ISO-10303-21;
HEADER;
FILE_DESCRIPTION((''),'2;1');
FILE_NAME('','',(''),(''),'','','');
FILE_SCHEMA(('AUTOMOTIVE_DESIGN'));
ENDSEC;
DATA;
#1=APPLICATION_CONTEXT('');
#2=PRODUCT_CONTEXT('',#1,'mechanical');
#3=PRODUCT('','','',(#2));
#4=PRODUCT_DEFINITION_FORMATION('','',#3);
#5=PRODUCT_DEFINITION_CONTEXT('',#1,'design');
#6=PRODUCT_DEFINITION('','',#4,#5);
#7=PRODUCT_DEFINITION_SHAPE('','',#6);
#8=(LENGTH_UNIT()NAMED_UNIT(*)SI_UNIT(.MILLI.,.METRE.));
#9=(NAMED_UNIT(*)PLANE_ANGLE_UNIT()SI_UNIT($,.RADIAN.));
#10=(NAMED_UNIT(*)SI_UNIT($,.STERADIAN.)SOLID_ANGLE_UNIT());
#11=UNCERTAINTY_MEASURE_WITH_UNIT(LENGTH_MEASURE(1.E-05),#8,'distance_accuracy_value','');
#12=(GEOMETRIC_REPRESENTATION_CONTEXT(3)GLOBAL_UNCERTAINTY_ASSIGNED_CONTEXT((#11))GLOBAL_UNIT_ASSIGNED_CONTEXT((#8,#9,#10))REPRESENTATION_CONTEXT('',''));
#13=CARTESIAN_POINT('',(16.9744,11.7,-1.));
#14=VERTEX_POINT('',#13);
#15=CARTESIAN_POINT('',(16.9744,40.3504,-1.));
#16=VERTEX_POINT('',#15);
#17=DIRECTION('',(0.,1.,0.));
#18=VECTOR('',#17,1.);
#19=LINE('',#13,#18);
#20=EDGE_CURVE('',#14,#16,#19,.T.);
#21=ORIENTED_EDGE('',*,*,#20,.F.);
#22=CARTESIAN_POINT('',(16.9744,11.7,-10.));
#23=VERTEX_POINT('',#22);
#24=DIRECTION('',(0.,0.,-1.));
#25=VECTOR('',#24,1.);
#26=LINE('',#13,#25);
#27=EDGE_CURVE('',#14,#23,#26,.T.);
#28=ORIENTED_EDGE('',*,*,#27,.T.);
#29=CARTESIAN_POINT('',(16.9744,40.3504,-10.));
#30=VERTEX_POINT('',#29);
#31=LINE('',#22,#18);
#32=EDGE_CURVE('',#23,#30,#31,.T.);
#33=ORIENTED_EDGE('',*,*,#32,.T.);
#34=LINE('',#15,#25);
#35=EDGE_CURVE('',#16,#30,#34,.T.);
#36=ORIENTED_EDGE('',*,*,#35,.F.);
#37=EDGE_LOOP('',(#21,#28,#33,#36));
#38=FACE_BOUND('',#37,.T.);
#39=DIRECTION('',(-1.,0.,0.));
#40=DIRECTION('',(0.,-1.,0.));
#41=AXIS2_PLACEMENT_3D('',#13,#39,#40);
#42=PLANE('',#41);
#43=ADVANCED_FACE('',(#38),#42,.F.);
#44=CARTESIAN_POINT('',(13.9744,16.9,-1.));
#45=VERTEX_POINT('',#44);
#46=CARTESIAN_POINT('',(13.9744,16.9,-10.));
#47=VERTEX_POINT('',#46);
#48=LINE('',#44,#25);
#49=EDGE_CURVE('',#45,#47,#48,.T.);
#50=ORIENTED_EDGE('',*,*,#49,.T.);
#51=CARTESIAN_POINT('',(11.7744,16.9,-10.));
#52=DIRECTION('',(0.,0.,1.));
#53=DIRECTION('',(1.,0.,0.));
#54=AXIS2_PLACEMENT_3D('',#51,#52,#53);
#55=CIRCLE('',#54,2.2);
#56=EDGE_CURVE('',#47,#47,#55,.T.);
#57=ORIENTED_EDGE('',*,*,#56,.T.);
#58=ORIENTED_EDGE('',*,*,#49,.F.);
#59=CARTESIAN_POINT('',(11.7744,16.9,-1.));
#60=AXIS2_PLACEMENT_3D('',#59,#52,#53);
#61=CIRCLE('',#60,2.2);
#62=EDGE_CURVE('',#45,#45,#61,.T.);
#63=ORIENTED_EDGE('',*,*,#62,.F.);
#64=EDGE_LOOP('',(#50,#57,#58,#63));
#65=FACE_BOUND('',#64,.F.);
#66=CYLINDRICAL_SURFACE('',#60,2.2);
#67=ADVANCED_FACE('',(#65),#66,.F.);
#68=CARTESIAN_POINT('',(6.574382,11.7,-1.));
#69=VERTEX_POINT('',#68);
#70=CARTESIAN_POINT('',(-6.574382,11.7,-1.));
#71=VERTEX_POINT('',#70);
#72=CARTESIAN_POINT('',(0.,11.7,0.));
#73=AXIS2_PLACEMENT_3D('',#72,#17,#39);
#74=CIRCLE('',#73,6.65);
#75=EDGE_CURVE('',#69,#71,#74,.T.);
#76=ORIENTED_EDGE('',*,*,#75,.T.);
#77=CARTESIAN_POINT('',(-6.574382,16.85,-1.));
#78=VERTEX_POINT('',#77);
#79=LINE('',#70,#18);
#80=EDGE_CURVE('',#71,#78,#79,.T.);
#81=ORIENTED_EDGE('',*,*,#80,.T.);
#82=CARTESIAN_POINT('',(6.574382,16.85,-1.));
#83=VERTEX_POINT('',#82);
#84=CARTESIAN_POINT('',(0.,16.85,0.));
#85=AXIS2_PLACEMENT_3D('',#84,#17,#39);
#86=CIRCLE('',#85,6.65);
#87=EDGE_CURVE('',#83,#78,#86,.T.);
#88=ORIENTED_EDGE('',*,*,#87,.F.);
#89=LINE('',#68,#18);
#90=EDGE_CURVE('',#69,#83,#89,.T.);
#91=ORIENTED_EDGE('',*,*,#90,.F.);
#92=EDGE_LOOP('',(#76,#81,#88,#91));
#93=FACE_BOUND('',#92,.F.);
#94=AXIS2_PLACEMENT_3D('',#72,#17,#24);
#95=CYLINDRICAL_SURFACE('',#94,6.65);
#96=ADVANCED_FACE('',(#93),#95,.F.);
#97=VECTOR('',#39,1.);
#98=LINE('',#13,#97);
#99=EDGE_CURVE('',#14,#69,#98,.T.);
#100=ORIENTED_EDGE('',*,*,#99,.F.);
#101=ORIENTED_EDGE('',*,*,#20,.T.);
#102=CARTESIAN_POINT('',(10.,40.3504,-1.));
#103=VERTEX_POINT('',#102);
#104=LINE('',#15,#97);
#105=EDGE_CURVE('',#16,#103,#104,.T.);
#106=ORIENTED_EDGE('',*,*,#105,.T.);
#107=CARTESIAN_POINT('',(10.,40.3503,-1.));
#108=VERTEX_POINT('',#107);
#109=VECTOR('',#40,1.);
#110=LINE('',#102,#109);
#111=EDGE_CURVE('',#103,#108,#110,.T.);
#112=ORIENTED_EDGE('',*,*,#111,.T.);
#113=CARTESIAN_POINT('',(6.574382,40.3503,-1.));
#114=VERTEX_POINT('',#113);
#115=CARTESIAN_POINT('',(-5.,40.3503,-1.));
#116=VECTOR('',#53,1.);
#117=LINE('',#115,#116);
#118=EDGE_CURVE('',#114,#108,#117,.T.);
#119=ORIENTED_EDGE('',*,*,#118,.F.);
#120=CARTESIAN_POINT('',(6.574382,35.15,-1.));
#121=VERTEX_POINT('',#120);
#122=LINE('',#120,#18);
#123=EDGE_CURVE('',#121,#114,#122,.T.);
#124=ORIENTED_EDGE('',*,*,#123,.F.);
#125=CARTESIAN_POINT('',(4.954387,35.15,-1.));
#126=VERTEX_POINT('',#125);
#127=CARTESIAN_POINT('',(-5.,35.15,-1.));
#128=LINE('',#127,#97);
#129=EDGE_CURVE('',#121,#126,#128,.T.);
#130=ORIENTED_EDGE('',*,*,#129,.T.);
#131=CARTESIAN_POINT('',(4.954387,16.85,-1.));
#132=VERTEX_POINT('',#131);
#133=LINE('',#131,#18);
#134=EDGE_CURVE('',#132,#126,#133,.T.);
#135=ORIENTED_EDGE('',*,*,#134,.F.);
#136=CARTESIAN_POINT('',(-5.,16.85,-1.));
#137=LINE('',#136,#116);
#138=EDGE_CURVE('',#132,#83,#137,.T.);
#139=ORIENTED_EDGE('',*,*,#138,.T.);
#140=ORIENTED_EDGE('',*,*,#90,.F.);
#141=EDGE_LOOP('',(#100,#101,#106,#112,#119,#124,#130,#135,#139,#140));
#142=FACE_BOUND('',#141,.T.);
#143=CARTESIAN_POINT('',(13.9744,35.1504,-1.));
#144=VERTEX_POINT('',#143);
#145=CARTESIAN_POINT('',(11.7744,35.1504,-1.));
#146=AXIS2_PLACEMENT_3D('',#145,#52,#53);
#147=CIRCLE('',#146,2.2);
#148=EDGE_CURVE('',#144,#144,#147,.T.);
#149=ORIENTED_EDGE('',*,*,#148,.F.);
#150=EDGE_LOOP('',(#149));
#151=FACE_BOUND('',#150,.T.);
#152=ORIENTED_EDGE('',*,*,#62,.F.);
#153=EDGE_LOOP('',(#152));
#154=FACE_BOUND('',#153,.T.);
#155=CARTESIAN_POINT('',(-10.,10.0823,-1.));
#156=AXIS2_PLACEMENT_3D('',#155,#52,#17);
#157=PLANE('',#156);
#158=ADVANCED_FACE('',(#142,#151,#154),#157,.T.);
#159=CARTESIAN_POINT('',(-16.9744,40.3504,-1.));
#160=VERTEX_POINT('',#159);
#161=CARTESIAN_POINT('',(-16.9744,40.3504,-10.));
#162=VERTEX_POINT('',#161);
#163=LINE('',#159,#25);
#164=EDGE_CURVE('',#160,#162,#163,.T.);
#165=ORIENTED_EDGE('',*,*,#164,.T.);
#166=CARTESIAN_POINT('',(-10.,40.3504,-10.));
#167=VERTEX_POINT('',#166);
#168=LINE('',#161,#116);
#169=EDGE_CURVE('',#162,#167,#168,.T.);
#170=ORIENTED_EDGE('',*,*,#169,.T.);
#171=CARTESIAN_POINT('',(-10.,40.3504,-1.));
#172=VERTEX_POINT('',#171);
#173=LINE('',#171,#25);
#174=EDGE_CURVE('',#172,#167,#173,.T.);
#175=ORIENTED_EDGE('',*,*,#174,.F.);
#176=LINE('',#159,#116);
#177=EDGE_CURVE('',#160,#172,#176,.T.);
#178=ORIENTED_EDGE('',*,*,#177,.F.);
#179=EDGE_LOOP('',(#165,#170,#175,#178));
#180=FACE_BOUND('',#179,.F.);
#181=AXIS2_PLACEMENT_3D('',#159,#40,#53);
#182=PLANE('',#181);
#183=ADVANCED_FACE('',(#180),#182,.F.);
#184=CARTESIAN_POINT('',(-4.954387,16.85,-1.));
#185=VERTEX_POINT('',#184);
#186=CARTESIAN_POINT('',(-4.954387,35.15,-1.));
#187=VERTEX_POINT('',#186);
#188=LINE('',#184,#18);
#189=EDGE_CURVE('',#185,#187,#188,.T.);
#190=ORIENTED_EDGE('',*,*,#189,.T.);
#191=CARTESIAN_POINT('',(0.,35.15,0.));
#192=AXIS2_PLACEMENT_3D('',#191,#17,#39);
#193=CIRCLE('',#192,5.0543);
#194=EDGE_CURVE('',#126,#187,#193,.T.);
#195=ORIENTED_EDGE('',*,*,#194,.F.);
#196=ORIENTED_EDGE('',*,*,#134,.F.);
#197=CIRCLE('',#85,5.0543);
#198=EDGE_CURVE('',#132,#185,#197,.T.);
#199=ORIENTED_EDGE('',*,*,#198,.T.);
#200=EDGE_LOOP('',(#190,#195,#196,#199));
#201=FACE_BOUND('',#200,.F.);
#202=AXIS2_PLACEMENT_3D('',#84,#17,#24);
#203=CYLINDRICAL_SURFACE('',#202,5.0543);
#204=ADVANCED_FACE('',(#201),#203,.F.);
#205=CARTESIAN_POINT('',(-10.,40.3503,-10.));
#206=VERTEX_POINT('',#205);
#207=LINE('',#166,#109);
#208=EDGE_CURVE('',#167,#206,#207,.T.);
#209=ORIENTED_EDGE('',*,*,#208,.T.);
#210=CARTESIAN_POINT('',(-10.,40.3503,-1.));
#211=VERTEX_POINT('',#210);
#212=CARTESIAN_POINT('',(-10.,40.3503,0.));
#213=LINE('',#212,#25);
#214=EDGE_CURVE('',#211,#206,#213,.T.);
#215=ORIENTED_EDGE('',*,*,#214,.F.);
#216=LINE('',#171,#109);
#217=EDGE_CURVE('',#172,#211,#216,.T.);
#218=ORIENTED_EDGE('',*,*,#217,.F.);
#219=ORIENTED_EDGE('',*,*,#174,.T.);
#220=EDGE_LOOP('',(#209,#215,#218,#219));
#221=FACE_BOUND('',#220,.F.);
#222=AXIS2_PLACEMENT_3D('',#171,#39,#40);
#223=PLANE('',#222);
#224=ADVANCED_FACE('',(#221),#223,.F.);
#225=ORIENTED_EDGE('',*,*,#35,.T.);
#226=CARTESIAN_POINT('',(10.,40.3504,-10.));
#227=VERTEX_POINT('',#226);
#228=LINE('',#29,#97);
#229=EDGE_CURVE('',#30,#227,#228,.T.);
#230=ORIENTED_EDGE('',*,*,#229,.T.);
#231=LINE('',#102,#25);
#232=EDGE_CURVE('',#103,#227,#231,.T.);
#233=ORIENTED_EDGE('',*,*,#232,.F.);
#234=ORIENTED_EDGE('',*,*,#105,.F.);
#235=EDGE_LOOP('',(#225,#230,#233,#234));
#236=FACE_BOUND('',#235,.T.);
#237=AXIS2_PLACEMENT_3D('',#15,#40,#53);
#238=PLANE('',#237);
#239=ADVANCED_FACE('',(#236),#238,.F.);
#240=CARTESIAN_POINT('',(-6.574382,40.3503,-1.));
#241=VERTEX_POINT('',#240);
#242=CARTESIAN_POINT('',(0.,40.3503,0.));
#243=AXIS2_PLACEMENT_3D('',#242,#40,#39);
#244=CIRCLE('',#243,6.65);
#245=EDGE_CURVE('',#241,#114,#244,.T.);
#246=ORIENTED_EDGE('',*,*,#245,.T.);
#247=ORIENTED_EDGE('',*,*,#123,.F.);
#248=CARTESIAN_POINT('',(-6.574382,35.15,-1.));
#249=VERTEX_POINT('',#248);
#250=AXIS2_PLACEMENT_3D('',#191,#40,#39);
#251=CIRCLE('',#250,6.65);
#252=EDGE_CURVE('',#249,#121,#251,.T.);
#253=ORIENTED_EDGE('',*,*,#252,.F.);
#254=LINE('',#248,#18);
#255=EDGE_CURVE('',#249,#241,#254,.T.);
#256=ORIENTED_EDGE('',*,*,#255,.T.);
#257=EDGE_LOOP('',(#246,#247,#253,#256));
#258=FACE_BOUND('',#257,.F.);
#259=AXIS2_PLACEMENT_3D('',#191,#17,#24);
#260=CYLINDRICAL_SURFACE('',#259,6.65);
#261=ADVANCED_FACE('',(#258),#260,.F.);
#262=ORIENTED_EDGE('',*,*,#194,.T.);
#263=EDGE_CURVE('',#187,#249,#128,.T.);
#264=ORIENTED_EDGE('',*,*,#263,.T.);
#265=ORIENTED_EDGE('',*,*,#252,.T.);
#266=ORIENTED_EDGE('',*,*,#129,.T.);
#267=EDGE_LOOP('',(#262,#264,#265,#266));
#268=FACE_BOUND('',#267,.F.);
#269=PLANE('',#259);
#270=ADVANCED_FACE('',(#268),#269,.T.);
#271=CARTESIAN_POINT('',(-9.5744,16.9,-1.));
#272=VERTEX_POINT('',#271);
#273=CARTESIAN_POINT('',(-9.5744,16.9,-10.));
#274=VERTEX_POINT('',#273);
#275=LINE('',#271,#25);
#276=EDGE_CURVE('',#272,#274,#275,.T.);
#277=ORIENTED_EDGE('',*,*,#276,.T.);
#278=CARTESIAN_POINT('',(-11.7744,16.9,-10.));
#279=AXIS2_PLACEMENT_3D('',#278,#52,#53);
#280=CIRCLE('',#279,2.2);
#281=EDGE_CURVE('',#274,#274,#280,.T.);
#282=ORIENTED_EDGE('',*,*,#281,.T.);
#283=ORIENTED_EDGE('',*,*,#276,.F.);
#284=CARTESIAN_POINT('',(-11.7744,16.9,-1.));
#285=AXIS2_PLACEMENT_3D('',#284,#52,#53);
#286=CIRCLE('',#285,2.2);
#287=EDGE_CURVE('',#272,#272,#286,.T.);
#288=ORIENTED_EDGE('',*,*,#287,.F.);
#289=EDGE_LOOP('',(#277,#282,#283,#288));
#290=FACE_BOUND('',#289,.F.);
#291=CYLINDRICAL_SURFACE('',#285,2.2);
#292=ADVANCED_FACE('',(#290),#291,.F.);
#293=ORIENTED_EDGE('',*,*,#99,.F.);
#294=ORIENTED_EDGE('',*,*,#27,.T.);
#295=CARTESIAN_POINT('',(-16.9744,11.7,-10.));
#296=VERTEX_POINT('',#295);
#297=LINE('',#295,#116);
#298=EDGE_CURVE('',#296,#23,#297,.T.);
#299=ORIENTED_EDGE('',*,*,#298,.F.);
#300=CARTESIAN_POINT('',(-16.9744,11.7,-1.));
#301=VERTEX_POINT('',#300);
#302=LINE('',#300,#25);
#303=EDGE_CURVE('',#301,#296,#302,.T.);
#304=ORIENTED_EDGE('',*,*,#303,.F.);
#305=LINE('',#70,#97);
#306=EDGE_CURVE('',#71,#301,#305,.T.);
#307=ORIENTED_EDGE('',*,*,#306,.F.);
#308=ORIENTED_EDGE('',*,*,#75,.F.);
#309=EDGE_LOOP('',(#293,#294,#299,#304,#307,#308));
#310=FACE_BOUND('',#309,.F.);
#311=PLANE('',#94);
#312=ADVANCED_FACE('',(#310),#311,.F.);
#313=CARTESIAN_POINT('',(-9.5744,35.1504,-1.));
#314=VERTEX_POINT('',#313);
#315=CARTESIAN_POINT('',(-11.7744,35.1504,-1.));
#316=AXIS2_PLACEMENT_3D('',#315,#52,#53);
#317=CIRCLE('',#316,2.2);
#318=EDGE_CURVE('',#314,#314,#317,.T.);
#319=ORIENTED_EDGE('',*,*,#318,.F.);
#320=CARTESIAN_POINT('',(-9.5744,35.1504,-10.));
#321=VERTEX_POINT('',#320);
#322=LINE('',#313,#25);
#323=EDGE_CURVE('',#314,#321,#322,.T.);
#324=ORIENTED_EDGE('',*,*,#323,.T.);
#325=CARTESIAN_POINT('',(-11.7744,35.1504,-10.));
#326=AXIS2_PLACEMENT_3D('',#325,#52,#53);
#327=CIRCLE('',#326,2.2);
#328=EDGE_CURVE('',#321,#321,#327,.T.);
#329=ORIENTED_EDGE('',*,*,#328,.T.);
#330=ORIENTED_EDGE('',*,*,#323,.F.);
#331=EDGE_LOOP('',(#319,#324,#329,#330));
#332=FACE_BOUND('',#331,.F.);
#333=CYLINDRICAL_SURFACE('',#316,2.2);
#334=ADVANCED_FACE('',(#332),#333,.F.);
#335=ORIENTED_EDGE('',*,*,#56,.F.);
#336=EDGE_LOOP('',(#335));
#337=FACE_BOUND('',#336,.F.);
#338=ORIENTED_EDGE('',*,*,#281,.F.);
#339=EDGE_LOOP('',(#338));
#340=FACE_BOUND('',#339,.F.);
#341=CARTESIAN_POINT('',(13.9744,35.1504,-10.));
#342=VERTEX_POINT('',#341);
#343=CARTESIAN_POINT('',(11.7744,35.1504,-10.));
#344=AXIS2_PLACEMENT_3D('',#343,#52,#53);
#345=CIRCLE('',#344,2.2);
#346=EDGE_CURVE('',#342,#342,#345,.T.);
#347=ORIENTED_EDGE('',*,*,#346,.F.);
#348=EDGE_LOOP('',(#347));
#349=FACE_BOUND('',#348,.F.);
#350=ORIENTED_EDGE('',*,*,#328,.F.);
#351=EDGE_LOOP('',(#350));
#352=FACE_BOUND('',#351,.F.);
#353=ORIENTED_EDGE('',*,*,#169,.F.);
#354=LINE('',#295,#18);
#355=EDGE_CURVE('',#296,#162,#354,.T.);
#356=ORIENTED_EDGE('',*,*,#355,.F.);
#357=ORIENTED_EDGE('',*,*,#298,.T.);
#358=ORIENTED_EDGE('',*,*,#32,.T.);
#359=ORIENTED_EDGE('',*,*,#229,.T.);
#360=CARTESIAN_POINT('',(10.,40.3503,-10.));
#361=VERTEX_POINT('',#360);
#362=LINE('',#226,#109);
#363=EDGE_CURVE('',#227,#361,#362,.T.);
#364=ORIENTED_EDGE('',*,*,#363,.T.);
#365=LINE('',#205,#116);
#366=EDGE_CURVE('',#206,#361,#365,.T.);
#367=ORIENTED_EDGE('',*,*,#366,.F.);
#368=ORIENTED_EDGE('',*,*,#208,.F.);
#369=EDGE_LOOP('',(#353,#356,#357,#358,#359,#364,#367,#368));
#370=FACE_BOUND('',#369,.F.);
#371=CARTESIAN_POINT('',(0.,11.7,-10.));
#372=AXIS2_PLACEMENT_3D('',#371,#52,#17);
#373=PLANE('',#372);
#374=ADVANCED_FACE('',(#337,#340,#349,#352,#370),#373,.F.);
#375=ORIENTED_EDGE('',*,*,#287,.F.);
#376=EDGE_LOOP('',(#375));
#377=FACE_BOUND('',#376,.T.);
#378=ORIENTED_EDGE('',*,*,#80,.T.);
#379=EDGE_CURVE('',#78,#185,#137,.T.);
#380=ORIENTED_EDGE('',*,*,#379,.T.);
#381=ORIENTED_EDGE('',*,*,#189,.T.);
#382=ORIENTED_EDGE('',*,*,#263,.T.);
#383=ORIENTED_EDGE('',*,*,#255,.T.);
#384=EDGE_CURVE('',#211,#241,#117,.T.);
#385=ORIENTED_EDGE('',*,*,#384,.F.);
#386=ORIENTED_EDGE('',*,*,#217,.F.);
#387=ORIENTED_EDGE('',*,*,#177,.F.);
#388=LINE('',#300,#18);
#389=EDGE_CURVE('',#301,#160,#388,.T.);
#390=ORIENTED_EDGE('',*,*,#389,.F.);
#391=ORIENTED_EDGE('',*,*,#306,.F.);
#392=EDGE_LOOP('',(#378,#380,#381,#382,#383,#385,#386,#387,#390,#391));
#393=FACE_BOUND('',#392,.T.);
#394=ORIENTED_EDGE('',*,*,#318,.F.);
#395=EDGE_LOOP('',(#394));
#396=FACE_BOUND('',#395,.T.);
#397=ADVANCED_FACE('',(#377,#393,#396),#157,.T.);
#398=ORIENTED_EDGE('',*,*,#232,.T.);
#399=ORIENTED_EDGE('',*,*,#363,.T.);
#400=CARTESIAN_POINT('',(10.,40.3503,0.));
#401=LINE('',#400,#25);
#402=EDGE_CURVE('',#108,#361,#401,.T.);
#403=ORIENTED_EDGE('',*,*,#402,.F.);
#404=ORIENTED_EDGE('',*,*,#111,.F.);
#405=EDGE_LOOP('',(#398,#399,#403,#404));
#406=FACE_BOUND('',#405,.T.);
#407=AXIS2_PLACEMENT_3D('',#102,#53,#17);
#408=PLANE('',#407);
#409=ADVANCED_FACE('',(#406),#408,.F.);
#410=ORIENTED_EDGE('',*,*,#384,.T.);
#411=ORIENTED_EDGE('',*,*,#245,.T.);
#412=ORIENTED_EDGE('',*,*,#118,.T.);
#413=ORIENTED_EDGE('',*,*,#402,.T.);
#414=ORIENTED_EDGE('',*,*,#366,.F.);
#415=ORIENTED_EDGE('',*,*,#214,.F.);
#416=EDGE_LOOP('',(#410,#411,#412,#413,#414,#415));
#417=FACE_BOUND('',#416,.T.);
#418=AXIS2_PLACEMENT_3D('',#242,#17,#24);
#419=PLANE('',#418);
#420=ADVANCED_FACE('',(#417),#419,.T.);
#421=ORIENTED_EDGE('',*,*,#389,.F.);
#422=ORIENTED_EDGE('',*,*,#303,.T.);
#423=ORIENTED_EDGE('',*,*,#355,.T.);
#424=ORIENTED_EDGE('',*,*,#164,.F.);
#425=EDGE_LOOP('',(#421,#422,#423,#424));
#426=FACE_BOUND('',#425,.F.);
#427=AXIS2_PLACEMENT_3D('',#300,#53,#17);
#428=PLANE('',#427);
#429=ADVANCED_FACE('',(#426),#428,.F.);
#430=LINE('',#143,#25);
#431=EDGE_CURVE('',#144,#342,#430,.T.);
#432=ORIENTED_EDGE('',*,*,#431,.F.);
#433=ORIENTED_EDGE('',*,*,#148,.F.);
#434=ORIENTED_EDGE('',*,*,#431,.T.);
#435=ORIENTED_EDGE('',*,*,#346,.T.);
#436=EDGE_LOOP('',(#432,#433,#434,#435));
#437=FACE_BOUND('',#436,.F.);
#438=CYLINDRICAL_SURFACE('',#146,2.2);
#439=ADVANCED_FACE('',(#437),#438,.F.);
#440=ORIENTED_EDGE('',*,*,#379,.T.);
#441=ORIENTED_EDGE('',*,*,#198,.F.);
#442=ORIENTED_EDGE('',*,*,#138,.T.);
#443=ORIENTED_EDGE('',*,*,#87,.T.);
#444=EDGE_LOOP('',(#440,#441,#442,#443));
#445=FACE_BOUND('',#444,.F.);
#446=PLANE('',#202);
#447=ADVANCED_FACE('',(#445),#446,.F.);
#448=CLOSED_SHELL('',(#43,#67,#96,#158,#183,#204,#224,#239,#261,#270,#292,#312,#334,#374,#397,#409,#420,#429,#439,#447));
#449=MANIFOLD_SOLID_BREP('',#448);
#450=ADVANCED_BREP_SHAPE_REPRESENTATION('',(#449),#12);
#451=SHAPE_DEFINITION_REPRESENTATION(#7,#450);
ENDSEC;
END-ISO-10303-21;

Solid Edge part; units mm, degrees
sketch "Sketch1" plane through (0, 0, 0) normal (1, 0, 0) x (0, 1, 0)
  line L0 (11.7, -6.65) -> (16.85, -6.65)
  line L1 (16.85, -6.65) -> (16.85, -5.0543)
  line L2 (16.85, -5.0543) -> (35.15, -5.0543)
  line L3 (35.15, -5.0543) -> (35.15, -6.65)
  line L4 (35.15, -6.65) -> (40.3503, -6.65)
  line L5 (40.3503, -6.65) -> (40.3503, -10)
  line L6 (40.3503, -10) -> (11.7, -10)
  line L7 (11.7, -10) -> (11.7, -6.65)
  dimension "D1" = 0.15
  dimension "D2" = 0.15
  dimension "D3" = 10
revolve "RevolvedProtrusion1" add sketch "Sketch1" angle 360 about axis through (0, -60, 0) along (0, 1, 0)
sketch "Sketch2" plane through (0, 0, 0) normal (1, 0, 0) x (0, 1, 0)
  line L0 (11.7, -10) -> (40.3503, -10)
  line L1 (40.3503, 0) -> (40.3503, -10)
  line L2 (11.7, 0) -> (40.3503, 0)
  line L3 (11.7, 0) -> (11.7, -10)
extrude "Protrusion1" add sketch "Sketch2" along normal mid plane 20
sketch "Sketch3" plane through (0, 0, 0) normal (1, 0, 0) x (0, 1, 0)
  line L0 (11.7, 0) -> (11.7, 6.65)
  line L1 (11.7, 6.65) -> (16.85, 6.65)
  line L2 (16.85, 5.0543) -> (16.85, 6.65)
  line L3 (16.85, 5.0543) -> (35.15, 5.0543)
  line L4 (35.15, 5.0543) -> (35.15, 6.65)
  line L5 (35.15, 6.65) -> (40.3503, 6.65)
  line L6 (40.3503, 0) -> (40.3503, 6.65)
  line L7 (11.7, 0) -> (40.3503, 0)
revolve "RevolvedCutout_1" cut sketch "Sketch3" angle 284.342 about axis through (0, -60, 0) along (0, 1, 0)
sketch "Sketch4" plane through (0, 11.7, 0) normal (0, -1, 0) x (1, 0, 0)
  line L0 (-12.0207, 0) -> (12.5476, 0)
  line L1 (12.5476, 0) -> (12.5476, 10.6039)
  line L2 (12.5476, 10.6039) -> (-12.0207, 10.6039)
  line L3 (-12.0207, 10.6039) -> (-12.0207, 0)
extrude "ExtrudedCutout_1" cut sketch "Sketch4" against normal blind 426.8623
sketch "Sketch5" plane through (-10, 26.0252, -5) normal (-1, 0, 0) x (0, -1, 0)
  line L0 (-15.9005, 5) -> (15.9429, 5)
  line L1 (15.9429, 5) -> (15.9429, 4)
  line L2 (15.9429, 4) -> (-15.9005, 4)
  line L3 (-15.9005, 4) -> (-15.9005, 5)
  dimension "D1" = 1
extrude "ExtrudedCutout_2" cut sketch "Sketch5" against normal blind 53.8114
sketch "Sketch6" plane through (-7.4772, 26.0252, -1) normal (0, 0, 1) x (0, -1, 0)
  line L0 (-14.3252, -2.5228) -> (14.3252, -2.5228)
  line L1 (14.3252, -2.5228) -> (14.3252, -9.4972)
  line L2 (14.3252, -9.4972) -> (-14.3252, -9.4972)
  line L3 (-14.3252, -9.4972) -> (-14.3252, -2.5228)
  dimension "D1" = 3
  dimension "D2" = 3
  dimension "D3" = 4.4
  dimension "D4" = 6.9744
extrude "Protrusion2" add sketch "Sketch6" against normal up to vertex (9 mm away)
mirror "Mirror1" about plane through (0, 0, 0) normal (1, 0, 0) of "Protrusion2"
sketch "Sketch7" plane through (-10.9644, 26.0252, -1) normal (0, 0, 1) x (1, 0, 0)
  circle A0 centre (-0.81, -9.1252) radius 2.2
  circle A1 centre (22.7388, -9.1252) radius 2.2
  circle A2 centre (-0.81, 9.1252) radius 2.2
  circle A3 centre (22.7388, 9.1252) radius 2.2
  dimension "D1" = 3
  dimension "D2" = 3
  dimension "D3" = 3
  dimension "D4" = 3
extrude "ExtrudedCutout_3" cut sketch "Sketch7" against normal blind 291.9173
